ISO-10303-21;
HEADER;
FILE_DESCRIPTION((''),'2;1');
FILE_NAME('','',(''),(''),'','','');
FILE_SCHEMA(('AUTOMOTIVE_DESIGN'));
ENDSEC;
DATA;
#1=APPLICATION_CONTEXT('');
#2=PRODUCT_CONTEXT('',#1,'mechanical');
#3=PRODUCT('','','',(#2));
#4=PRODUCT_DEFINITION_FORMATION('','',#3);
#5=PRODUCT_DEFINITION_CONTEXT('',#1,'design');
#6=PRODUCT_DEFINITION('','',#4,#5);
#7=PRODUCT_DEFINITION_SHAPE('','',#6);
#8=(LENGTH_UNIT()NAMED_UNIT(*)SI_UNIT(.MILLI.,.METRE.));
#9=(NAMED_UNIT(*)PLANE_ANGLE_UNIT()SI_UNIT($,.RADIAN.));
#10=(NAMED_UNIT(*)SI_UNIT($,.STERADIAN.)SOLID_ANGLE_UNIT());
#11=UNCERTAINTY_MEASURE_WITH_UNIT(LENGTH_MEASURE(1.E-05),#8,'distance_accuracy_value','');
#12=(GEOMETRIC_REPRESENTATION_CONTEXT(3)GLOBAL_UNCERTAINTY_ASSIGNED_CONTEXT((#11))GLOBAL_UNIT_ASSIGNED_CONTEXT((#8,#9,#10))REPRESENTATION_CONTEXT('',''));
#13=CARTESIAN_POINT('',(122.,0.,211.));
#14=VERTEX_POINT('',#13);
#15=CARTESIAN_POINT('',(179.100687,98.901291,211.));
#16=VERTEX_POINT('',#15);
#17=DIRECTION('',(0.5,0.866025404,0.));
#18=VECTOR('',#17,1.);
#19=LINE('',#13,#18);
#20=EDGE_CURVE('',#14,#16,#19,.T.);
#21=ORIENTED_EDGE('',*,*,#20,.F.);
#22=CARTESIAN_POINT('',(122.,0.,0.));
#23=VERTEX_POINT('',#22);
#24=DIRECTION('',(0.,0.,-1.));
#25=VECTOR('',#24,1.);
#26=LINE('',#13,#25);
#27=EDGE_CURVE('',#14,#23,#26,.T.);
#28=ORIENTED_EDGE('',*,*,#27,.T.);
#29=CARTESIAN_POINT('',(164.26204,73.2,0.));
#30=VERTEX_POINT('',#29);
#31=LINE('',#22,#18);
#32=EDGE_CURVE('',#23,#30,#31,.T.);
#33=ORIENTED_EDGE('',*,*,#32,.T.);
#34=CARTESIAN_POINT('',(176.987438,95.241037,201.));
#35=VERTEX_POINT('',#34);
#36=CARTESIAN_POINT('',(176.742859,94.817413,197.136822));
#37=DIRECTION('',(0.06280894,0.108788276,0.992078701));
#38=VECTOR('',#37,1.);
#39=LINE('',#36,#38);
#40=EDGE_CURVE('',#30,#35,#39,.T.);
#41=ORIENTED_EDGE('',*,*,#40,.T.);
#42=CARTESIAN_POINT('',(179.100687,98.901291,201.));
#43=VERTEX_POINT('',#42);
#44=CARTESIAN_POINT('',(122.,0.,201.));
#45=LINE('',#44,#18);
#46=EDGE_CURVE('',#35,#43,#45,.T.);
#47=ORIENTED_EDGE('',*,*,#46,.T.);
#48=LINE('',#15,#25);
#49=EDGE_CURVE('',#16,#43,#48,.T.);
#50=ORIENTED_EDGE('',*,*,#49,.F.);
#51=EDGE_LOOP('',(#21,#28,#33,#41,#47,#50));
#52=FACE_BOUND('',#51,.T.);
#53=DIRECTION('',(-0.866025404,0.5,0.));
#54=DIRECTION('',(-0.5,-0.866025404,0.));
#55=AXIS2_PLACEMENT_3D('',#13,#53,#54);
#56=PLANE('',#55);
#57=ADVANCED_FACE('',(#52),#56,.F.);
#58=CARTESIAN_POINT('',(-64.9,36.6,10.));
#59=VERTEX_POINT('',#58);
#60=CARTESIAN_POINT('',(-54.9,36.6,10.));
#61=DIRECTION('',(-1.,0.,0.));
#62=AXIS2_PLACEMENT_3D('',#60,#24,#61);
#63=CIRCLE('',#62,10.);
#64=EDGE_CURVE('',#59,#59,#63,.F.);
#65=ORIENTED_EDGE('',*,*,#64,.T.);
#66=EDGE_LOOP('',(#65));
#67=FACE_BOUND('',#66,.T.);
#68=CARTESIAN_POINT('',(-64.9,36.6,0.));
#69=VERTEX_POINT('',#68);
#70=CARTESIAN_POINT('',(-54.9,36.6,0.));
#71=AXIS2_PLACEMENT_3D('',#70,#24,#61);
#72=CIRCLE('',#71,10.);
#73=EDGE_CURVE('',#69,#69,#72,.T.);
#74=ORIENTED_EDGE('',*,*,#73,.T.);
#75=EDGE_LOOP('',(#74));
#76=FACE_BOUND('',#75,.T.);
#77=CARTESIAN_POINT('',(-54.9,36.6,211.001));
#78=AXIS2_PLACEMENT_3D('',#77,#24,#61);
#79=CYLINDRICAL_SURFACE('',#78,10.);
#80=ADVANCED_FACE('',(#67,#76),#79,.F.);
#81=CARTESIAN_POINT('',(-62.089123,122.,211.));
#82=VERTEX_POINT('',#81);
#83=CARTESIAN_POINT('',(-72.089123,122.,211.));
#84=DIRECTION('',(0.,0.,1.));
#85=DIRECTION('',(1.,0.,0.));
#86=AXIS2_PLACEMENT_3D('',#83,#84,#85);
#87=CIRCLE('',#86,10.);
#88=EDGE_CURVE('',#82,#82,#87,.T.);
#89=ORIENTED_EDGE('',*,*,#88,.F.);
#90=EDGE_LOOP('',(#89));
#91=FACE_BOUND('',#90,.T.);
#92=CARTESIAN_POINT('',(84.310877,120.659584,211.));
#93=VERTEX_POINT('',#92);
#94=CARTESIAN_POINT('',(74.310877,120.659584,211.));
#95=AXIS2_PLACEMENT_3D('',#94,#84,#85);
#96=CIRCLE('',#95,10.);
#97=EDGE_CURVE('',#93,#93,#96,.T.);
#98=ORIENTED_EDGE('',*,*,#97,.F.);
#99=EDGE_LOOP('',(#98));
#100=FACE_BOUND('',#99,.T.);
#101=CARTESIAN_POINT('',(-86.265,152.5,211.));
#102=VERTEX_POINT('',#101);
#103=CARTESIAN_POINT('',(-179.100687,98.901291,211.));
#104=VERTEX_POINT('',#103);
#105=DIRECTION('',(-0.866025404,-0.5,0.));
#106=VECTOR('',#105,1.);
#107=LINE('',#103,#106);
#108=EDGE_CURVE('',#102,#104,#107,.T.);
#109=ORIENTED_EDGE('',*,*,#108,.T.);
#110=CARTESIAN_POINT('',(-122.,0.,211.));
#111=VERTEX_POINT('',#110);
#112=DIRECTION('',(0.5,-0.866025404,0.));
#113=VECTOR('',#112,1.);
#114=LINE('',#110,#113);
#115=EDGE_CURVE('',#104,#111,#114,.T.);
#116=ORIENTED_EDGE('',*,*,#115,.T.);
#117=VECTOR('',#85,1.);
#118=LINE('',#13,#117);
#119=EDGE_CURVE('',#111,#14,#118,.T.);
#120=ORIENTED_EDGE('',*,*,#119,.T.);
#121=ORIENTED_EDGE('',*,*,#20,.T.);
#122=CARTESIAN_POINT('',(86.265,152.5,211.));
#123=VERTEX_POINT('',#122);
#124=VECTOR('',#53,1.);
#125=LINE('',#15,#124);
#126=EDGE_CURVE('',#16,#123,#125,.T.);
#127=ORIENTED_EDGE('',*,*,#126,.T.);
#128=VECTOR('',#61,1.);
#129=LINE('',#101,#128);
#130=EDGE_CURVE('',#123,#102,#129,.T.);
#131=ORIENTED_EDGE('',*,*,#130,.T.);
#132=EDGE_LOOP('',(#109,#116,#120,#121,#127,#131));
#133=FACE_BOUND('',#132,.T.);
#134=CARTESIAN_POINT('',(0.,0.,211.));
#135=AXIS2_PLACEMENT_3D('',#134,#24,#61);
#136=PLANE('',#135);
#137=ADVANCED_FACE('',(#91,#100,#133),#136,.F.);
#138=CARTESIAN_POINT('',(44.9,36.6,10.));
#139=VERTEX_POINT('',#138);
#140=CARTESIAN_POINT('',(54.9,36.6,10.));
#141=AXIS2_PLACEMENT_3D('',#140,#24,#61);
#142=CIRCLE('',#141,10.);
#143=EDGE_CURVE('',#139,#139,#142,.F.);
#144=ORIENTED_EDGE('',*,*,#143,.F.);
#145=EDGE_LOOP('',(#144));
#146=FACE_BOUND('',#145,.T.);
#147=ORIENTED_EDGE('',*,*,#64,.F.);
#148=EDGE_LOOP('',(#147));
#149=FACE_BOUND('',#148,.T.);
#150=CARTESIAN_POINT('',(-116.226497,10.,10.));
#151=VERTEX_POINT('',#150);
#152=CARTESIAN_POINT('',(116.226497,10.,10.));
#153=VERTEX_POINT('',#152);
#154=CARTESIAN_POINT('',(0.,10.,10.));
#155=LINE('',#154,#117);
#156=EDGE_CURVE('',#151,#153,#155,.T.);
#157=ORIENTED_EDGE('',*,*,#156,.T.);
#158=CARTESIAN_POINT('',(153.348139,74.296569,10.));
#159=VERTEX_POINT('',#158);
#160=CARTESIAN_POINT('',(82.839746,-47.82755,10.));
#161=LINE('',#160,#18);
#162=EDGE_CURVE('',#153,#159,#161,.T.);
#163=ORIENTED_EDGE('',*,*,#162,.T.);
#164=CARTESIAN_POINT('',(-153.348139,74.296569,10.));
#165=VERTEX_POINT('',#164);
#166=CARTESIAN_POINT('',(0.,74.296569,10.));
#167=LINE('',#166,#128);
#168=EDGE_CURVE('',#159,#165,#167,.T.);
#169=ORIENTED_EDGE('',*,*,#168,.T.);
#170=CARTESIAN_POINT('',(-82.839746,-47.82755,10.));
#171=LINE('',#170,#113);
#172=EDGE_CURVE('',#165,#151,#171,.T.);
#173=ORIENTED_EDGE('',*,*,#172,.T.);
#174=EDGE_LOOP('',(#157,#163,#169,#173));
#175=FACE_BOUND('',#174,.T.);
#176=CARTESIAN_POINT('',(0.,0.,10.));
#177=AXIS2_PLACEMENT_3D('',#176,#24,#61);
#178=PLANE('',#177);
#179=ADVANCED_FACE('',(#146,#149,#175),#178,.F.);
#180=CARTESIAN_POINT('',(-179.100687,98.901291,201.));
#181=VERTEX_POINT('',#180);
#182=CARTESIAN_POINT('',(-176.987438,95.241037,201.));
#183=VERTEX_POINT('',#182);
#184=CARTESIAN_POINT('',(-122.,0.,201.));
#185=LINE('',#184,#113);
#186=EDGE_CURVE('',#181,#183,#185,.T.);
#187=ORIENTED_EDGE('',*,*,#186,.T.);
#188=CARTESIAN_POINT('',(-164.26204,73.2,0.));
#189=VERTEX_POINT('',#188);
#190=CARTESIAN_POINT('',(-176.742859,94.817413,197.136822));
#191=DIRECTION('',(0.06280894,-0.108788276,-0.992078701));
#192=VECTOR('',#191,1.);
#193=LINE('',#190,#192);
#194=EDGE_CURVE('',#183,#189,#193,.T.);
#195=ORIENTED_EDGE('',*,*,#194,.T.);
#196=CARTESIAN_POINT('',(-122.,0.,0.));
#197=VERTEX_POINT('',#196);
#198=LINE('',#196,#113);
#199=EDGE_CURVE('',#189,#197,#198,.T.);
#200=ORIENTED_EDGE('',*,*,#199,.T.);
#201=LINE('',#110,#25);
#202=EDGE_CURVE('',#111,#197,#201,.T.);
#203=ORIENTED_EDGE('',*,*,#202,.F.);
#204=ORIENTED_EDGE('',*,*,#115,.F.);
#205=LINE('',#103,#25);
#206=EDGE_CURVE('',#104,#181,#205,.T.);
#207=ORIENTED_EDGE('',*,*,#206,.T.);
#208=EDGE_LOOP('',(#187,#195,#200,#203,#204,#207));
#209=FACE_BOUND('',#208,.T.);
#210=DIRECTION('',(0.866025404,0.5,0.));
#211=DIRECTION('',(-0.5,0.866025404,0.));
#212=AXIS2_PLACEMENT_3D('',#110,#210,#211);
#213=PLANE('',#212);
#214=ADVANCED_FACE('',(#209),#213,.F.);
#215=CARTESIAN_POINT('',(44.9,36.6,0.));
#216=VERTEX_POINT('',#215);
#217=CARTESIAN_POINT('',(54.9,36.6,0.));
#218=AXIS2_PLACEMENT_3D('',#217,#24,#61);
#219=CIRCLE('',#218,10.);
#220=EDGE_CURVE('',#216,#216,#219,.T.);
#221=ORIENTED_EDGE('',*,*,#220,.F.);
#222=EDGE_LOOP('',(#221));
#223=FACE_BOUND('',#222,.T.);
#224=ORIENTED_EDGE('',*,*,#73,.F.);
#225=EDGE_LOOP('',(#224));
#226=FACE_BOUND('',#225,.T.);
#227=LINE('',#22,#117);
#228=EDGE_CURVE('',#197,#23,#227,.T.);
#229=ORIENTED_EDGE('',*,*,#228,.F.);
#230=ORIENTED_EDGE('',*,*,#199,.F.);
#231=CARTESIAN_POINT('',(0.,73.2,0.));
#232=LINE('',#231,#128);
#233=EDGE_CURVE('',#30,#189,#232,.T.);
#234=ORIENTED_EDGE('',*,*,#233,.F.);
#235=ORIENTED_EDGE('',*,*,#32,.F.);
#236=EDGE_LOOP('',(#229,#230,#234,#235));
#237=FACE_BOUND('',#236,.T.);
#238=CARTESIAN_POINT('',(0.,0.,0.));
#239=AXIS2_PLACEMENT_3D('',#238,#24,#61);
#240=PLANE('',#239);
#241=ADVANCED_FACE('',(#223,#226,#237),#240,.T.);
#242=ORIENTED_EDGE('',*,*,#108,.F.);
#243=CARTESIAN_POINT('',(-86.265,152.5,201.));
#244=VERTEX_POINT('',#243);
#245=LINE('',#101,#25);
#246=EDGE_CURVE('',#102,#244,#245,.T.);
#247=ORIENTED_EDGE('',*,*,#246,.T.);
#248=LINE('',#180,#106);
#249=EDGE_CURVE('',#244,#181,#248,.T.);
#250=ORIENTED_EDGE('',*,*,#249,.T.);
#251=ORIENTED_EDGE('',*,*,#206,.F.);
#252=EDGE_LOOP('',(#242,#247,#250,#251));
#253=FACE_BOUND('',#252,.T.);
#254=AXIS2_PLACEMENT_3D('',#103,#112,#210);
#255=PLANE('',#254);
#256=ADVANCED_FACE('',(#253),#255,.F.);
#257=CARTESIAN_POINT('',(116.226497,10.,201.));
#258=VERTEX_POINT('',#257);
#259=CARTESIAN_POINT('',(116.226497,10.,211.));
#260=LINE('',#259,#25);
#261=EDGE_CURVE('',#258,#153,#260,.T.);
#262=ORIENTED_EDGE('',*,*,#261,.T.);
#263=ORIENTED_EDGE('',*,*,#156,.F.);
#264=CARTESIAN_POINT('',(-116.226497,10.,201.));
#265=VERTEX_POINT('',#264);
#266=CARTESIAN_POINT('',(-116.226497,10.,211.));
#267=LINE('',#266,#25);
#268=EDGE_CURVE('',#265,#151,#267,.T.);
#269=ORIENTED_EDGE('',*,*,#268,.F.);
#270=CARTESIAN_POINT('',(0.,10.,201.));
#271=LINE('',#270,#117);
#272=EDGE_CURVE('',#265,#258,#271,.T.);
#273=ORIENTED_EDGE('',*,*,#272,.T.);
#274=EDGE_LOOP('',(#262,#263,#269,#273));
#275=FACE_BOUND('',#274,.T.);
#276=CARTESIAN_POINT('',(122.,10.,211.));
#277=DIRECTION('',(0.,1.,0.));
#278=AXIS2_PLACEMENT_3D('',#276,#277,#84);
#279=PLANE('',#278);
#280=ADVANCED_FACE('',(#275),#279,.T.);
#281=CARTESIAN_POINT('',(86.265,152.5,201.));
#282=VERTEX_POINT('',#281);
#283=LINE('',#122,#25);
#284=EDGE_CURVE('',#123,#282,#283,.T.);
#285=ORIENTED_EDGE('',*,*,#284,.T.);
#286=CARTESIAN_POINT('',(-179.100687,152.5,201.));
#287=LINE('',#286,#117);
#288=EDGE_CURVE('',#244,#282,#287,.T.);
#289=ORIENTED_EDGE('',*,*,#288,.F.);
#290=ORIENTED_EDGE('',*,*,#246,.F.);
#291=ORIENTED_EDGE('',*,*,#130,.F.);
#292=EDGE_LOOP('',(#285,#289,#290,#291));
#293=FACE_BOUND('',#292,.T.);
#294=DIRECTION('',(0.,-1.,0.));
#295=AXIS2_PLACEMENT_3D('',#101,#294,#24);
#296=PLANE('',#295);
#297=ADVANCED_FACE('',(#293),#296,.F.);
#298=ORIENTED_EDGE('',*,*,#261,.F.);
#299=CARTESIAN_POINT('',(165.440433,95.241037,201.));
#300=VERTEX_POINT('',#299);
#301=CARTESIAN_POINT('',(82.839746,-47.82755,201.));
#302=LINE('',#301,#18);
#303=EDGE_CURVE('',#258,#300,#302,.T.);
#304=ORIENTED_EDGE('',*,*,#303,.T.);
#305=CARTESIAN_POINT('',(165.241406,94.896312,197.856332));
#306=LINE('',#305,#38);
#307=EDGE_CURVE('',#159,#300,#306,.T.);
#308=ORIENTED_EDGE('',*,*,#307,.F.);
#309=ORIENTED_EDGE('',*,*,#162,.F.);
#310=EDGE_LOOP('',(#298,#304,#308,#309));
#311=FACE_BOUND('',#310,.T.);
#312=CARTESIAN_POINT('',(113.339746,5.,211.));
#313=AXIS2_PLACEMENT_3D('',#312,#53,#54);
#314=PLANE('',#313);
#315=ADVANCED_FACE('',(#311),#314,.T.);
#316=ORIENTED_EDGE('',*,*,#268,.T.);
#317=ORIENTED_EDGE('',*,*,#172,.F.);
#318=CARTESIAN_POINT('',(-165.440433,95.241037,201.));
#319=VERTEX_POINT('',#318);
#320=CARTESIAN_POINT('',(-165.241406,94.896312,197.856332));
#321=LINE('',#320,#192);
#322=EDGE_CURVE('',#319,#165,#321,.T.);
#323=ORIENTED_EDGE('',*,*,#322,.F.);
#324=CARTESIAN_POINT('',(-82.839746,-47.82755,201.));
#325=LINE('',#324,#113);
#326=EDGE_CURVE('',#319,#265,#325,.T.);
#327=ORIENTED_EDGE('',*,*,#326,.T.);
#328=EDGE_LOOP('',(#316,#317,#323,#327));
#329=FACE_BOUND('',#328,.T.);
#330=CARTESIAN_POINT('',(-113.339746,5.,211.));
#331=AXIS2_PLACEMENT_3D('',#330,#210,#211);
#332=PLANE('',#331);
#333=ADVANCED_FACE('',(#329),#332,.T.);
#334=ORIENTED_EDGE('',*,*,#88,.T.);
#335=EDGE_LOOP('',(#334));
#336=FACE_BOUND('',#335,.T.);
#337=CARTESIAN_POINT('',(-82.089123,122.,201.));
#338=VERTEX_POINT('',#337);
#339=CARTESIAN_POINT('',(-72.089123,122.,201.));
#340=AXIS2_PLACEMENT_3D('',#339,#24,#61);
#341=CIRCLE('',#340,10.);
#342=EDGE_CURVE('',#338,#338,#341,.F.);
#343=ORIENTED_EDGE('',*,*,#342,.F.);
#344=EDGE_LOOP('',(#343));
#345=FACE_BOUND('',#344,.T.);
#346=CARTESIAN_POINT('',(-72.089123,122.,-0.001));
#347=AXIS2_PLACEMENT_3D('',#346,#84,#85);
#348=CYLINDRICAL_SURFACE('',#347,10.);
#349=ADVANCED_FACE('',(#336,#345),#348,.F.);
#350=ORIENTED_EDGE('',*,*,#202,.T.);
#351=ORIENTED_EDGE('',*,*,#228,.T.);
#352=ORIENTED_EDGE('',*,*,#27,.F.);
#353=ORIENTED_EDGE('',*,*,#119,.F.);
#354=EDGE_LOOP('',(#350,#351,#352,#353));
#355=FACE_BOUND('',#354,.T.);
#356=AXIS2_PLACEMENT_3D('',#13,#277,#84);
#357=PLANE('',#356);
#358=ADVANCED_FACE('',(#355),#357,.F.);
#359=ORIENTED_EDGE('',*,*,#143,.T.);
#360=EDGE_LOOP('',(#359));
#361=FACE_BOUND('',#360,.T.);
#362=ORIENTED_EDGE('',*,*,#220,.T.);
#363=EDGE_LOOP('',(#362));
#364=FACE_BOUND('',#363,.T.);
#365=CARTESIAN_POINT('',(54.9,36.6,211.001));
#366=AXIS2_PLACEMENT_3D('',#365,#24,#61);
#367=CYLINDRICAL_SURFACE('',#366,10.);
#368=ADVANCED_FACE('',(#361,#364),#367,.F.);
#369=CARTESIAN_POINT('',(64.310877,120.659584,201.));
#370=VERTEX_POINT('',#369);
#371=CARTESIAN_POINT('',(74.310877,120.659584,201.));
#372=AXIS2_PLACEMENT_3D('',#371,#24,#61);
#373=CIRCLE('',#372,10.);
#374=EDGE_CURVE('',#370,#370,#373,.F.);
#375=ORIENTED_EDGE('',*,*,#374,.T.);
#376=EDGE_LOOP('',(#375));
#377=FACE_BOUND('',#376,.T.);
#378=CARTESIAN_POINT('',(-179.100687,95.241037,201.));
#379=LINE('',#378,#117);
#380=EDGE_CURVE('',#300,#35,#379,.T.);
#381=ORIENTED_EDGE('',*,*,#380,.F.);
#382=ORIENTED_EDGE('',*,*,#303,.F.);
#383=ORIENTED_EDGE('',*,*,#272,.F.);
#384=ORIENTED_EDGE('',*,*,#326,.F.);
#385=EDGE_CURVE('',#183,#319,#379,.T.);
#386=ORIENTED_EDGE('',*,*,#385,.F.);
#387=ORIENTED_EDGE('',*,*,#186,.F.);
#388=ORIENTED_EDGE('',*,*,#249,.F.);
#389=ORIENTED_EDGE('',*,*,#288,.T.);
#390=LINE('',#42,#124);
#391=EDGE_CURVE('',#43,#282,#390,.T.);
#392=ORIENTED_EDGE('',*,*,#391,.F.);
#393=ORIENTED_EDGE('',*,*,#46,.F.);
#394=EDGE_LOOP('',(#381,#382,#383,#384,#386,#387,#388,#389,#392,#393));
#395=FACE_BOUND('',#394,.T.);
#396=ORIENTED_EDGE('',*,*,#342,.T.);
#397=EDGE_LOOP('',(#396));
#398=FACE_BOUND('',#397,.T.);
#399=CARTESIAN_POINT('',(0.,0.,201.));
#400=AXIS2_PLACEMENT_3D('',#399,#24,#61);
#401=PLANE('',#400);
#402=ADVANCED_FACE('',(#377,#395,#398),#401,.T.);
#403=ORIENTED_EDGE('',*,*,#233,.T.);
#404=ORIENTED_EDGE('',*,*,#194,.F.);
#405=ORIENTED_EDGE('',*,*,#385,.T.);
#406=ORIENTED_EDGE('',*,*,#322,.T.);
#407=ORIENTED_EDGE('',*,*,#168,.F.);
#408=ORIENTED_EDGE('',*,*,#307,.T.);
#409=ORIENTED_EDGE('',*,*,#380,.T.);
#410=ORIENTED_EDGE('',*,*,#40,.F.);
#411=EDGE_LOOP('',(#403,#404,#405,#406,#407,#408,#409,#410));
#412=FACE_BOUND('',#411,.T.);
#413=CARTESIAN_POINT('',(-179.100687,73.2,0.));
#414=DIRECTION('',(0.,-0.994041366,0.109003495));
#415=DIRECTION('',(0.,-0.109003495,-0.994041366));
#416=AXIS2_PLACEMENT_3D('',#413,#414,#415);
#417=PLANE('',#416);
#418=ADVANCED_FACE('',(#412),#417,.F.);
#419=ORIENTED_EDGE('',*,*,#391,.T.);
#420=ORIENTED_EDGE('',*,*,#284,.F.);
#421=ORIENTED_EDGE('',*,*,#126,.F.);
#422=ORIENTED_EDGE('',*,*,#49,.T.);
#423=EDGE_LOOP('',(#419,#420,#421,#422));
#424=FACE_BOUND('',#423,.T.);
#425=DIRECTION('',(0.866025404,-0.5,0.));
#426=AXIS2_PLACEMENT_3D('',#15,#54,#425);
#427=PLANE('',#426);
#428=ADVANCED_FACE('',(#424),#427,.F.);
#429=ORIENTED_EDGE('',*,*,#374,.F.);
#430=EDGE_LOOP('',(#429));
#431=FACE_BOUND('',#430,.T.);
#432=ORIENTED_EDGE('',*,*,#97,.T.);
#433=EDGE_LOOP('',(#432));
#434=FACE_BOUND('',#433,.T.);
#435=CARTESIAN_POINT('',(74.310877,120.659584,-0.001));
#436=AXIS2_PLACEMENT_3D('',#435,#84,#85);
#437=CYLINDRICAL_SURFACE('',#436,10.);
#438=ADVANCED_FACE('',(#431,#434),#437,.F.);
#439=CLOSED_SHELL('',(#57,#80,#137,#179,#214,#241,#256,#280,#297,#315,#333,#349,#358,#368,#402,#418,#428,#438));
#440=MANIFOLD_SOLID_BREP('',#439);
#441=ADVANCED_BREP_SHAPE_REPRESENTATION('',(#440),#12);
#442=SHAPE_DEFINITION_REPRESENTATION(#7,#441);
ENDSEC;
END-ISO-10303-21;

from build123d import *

# Parameters (mm, degrees)
EXTRUDE_1_DEPTH          = 211
SHELL_1_T                = 10
CUT_EXTRUDE_5_REACH      = 317.997
SKETCH_4_R               = 10
CUT_EXTRUDE_6_REACH      = 317.997
SKETCH_5_R               = 10
CUT_EXTRUDE_9_DEPTH      = 316.997319763
CUT_EXTRUDE_9_DEPTH_BACK = 316.997319763


with BuildPart() as part:
    # 草图1 → 凸台-拉伸1 (new body)
    with BuildSketch(Plane.XY):
        Polygon((122, 0), (-122, 0), (-179.100687039, 98.901291098), (-86.265, 152.5), (86.265, 152.5), (179.100687039, 98.901291098), align=None)
    extrude(amount=EXTRUDE_1_DEPTH)

    # 抽壳1 (no face opened: a closed hollow body)
    add(offset(amount=-SHELL_1_T, mode=Mode.PRIVATE), mode=Mode.SUBTRACT)

    # 草图4 → 切除-拉伸5 (cut, up to next)
    with BuildSketch(Plane(origin=(0, 0, 0), x_dir=(-1, 0, 0), z_dir=(0, 0, -1)), mode=Mode.PRIVATE) as cut_extrude_5_sk1:
        with Locations((-54.9, 36.6)):
            Circle(SKETCH_4_R)
    cut_extrude_5_tool1 = extrude(cut_extrude_5_sk1.sketch, amount=-CUT_EXTRUDE_5_REACH, mode=Mode.PRIVATE) & part.part
    # 草图4 → 切除-拉伸5 (cut, up to next)
    with BuildSketch(Plane(origin=(0, 0, 0), x_dir=(-1, 0, 0), z_dir=(0, 0, -1)), mode=Mode.PRIVATE) as cut_extrude_5_sk2:
        with Locations((54.9, 36.6)):
            Circle(SKETCH_4_R)
    cut_extrude_5_tool2 = extrude(cut_extrude_5_sk2.sketch, amount=-CUT_EXTRUDE_5_REACH, mode=Mode.PRIVATE) & part.part
    add(cut_extrude_5_tool1.solids().sort_by_distance((54.9, 36.6, 0))[0], mode=Mode.SUBTRACT)
    add(cut_extrude_5_tool2.solids().sort_by_distance((-54.9, 36.6, 0))[0], mode=Mode.SUBTRACT)

    # 草图5 → 切除-拉伸6 (cut, up to next)
    with BuildSketch(Plane.XY.offset(211), mode=Mode.PRIVATE) as cut_extrude_6_sk1:
        with Locations((-72.089123196, 122)):
            Circle(SKETCH_5_R)
    cut_extrude_6_tool1 = extrude(cut_extrude_6_sk1.sketch, amount=-CUT_EXTRUDE_6_REACH, mode=Mode.PRIVATE) & part.part
    # 草图5 → 切除-拉伸6 (cut, up to next)
    with BuildSketch(Plane.XY.offset(211), mode=Mode.PRIVATE) as cut_extrude_6_sk2:
        with Locations((74.310876804, 120.659584251)):
            Circle(SKETCH_5_R)
    cut_extrude_6_tool2 = extrude(cut_extrude_6_sk2.sketch, amount=-CUT_EXTRUDE_6_REACH, mode=Mode.PRIVATE) & part.part
    add(cut_extrude_6_tool1.solids().sort_by_distance((-72.089123, 122, 211))[0], mode=Mode.SUBTRACT)
    add(cut_extrude_6_tool2.solids().sort_by_distance((74.310877, 120.659584, 211))[0], mode=Mode.SUBTRACT)

    # 草图7 → 切除-拉伸9 (cut, two sides: drawn at the far end of the back side and taken through both)
    with BuildSketch(Plane(origin=(0, 0, 0), x_dir=(0, 0, -1), z_dir=(1, 0, 0)).offset(-CUT_EXTRUDE_9_DEPTH_BACK)):
        Polygon((0, 73.2), (-201, 95.24103706), (-201, 152.5), (0, 152.5), align=None)
    extrude(amount=CUT_EXTRUDE_9_DEPTH + CUT_EXTRUDE_9_DEPTH_BACK, mode=Mode.SUBTRACT)


solid = part.part
